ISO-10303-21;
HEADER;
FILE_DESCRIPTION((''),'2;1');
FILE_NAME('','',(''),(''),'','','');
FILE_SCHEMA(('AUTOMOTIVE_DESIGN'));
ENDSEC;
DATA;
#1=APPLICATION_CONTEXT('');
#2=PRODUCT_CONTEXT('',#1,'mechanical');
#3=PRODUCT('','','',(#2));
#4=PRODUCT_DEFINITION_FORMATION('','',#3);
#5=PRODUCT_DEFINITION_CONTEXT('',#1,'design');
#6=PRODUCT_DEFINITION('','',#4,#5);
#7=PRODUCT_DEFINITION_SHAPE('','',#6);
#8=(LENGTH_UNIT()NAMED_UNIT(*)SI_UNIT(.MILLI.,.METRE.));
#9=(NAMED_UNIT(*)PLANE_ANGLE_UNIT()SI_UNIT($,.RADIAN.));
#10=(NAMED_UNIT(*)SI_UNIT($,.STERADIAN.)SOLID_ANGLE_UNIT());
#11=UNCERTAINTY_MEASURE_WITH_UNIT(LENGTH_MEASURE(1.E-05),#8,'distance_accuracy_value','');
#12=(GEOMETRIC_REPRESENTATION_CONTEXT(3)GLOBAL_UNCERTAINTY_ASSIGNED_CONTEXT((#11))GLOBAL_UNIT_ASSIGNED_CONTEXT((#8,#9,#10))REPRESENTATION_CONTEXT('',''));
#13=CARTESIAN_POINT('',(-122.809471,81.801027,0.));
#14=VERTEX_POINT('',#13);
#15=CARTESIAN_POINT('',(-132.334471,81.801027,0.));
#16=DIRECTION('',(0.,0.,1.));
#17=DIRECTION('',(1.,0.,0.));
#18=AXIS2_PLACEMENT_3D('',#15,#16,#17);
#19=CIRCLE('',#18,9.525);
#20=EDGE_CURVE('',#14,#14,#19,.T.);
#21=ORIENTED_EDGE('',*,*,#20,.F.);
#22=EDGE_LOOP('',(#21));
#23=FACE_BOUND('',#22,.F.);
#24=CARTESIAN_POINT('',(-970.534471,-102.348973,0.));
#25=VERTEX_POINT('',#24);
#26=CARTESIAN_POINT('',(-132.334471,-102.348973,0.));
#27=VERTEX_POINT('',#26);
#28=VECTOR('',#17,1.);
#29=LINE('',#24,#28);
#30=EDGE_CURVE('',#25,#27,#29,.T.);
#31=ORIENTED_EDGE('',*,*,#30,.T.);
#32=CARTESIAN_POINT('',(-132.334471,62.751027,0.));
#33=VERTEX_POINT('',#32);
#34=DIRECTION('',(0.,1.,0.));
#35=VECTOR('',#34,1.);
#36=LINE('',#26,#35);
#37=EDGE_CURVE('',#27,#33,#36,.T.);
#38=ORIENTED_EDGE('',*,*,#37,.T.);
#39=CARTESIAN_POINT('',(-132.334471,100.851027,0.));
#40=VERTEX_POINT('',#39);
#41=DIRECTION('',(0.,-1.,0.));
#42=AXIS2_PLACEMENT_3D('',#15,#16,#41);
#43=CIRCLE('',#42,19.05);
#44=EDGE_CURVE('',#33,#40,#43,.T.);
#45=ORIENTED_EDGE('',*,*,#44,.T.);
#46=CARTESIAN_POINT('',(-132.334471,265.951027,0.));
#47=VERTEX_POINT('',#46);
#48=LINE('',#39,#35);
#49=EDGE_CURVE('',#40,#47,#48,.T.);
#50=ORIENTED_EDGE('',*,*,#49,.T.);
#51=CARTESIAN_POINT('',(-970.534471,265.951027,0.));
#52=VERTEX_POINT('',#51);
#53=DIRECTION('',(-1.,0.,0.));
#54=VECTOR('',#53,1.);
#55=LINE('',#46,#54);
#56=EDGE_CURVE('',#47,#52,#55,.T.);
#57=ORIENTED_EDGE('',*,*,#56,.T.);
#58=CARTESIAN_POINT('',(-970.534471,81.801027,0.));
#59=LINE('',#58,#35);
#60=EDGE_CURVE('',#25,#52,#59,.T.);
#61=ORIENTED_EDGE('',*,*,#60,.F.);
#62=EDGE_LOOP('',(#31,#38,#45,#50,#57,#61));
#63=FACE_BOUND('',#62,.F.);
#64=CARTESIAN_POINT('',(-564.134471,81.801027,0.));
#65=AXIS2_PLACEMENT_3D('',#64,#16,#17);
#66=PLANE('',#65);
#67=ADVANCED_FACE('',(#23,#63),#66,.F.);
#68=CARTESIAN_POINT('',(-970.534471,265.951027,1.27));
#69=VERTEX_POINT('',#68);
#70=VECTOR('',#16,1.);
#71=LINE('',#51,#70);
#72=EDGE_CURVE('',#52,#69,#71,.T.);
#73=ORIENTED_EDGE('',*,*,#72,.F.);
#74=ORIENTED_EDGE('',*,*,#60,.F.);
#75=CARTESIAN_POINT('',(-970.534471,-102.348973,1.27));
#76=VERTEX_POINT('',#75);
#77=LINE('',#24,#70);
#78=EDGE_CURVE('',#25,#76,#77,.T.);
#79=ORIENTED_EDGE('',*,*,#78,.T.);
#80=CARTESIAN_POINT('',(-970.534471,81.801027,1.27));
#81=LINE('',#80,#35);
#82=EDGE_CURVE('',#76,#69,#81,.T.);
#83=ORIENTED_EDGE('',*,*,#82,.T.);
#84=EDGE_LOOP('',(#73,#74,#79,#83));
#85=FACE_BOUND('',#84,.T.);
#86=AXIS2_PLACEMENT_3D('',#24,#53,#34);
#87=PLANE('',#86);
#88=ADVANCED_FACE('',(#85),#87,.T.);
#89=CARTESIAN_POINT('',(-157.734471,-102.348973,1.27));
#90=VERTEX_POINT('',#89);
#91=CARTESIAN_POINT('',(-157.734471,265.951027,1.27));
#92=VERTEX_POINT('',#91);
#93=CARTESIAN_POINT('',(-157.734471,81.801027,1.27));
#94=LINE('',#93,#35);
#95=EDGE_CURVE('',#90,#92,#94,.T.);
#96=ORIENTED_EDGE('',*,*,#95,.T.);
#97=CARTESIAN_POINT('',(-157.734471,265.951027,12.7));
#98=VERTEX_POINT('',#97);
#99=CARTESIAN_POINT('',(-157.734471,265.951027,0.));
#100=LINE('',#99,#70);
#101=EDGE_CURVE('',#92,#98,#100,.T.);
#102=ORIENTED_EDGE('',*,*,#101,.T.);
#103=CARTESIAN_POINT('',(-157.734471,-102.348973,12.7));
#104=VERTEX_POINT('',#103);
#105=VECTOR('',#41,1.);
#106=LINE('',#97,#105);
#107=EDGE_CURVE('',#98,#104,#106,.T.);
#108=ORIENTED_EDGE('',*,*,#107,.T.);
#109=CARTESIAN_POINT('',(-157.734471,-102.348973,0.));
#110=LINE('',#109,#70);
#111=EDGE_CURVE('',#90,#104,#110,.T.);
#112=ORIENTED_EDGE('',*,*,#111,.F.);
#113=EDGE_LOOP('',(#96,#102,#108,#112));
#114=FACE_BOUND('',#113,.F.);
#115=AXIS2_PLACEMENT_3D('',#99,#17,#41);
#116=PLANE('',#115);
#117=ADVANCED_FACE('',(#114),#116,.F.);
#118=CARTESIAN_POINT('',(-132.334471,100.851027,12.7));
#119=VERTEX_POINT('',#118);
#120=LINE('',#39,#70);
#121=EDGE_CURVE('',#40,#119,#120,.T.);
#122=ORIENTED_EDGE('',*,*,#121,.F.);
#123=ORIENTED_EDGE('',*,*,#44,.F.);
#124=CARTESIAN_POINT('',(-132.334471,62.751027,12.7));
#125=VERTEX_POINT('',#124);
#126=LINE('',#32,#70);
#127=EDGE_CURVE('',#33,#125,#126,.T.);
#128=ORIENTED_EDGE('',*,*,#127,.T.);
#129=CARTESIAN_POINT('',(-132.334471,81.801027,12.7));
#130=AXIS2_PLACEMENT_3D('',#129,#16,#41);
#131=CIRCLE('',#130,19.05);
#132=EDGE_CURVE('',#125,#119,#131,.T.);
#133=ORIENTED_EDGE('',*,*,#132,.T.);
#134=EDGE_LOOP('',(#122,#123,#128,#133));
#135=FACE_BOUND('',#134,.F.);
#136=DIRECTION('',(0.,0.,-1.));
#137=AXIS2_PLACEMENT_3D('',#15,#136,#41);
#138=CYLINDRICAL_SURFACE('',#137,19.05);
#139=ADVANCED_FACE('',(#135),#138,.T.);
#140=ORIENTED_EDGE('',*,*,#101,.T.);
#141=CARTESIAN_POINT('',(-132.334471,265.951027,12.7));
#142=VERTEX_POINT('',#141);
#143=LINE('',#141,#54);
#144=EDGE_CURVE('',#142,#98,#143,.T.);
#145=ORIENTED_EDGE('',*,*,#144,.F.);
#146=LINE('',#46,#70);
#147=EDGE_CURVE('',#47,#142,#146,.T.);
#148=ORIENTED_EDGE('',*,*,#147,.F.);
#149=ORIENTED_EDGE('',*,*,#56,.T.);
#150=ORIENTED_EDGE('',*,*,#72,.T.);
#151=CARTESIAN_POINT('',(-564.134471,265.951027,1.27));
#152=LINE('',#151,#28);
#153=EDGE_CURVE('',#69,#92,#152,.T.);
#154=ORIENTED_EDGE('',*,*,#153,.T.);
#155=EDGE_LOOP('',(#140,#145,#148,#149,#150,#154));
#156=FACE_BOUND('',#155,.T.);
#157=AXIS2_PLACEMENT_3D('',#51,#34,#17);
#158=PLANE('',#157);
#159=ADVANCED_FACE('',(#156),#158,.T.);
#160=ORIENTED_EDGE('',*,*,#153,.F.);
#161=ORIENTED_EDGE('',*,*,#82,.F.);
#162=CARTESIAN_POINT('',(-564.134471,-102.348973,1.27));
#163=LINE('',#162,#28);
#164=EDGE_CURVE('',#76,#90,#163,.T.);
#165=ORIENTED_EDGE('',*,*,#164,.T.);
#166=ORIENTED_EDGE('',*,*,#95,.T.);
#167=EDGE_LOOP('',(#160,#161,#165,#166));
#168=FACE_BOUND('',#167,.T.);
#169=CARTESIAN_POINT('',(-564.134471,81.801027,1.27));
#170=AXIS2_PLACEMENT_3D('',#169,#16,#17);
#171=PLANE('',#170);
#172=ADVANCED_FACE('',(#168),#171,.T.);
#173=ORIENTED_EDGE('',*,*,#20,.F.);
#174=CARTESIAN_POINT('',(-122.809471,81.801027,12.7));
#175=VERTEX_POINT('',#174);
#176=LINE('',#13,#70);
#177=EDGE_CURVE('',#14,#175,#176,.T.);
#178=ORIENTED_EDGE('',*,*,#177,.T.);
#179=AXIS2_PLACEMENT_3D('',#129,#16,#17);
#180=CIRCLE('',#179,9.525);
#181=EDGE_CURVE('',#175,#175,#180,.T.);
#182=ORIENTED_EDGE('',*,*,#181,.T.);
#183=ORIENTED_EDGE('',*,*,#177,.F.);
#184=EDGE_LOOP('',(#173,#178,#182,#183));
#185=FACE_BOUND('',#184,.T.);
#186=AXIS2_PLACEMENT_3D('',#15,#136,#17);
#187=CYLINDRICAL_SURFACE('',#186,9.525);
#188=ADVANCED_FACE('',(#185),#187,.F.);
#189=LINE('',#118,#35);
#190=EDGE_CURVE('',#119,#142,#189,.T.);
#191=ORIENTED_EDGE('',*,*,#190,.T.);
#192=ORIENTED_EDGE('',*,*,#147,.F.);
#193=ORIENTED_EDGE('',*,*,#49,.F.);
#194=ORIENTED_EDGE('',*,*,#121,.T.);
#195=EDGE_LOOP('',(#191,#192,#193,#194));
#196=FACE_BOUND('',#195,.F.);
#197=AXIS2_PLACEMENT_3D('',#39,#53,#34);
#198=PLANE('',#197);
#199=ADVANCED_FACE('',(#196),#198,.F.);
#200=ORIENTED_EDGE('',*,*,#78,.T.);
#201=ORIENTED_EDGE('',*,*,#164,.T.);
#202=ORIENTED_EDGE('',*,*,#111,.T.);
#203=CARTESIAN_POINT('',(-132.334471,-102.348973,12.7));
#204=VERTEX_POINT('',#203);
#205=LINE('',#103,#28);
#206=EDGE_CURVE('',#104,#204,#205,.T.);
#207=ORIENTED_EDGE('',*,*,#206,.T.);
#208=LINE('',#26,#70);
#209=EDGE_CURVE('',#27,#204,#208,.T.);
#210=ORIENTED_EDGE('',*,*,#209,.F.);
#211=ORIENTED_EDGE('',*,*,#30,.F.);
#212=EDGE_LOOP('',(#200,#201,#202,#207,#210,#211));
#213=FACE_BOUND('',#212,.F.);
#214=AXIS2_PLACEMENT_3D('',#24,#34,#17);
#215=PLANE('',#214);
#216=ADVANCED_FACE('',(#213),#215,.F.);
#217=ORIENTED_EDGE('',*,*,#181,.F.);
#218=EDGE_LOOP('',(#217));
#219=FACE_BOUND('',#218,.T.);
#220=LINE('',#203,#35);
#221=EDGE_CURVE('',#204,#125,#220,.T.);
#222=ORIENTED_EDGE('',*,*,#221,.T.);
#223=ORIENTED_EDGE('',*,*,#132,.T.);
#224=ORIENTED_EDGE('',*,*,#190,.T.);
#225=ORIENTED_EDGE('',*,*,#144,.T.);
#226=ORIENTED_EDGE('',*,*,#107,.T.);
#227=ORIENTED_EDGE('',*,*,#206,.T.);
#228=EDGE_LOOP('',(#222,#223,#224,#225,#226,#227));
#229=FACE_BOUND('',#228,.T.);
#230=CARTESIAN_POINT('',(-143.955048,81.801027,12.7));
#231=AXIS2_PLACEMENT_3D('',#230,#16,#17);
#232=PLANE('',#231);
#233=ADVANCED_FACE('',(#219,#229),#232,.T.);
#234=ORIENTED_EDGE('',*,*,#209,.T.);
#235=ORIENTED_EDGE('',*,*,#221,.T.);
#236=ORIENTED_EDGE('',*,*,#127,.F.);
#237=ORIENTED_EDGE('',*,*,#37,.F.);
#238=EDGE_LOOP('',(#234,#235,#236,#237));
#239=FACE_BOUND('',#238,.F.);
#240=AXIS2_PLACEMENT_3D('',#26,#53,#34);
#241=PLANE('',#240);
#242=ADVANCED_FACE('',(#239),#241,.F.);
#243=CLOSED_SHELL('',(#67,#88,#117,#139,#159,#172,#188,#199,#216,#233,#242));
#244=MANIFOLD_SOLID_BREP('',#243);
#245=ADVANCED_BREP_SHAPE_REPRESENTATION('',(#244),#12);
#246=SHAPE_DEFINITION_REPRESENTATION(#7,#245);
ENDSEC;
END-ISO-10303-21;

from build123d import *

# Parameters (mm, degrees)
F0_R     = 9.525
F1_DEPTH = 12.7
F2_W     = 812.8
F2_H     = 368.3
F3_DEPTH = 1.27


with BuildPart() as f1:
    # F0 (on Top) → F1 (new body)
    with BuildSketch(Plane.XY):
        with BuildLine():
            Line((-157.734471, -102.348973), (-132.334471, -102.348973))
            Line((-132.334471, -102.348973), (-132.334471, 62.751027))
            ThreePointArc((-132.334471, 62.751027), (-113.284471, 81.801027), (-132.334471, 100.851027))
            Line((-132.334471, 100.851027), (-132.334471, 265.951027))
            Line((-132.334471, 265.951027), (-157.734471, 265.951027))
            Line((-157.734471, 265.951027), (-157.734471, -102.348973))
        make_face()
        with Locations((-132.334471, 81.801027)):
            Circle(F0_R, mode=Mode.SUBTRACT)
    extrude(amount=F1_DEPTH)

    # F2 (on Top) → F3 (join)
    with BuildSketch(Plane.XY):
        with Locations((-564.134471, 81.801027)):
            Rectangle(F2_W, F2_H)
    extrude(amount=F3_DEPTH)


solid = f1.part
